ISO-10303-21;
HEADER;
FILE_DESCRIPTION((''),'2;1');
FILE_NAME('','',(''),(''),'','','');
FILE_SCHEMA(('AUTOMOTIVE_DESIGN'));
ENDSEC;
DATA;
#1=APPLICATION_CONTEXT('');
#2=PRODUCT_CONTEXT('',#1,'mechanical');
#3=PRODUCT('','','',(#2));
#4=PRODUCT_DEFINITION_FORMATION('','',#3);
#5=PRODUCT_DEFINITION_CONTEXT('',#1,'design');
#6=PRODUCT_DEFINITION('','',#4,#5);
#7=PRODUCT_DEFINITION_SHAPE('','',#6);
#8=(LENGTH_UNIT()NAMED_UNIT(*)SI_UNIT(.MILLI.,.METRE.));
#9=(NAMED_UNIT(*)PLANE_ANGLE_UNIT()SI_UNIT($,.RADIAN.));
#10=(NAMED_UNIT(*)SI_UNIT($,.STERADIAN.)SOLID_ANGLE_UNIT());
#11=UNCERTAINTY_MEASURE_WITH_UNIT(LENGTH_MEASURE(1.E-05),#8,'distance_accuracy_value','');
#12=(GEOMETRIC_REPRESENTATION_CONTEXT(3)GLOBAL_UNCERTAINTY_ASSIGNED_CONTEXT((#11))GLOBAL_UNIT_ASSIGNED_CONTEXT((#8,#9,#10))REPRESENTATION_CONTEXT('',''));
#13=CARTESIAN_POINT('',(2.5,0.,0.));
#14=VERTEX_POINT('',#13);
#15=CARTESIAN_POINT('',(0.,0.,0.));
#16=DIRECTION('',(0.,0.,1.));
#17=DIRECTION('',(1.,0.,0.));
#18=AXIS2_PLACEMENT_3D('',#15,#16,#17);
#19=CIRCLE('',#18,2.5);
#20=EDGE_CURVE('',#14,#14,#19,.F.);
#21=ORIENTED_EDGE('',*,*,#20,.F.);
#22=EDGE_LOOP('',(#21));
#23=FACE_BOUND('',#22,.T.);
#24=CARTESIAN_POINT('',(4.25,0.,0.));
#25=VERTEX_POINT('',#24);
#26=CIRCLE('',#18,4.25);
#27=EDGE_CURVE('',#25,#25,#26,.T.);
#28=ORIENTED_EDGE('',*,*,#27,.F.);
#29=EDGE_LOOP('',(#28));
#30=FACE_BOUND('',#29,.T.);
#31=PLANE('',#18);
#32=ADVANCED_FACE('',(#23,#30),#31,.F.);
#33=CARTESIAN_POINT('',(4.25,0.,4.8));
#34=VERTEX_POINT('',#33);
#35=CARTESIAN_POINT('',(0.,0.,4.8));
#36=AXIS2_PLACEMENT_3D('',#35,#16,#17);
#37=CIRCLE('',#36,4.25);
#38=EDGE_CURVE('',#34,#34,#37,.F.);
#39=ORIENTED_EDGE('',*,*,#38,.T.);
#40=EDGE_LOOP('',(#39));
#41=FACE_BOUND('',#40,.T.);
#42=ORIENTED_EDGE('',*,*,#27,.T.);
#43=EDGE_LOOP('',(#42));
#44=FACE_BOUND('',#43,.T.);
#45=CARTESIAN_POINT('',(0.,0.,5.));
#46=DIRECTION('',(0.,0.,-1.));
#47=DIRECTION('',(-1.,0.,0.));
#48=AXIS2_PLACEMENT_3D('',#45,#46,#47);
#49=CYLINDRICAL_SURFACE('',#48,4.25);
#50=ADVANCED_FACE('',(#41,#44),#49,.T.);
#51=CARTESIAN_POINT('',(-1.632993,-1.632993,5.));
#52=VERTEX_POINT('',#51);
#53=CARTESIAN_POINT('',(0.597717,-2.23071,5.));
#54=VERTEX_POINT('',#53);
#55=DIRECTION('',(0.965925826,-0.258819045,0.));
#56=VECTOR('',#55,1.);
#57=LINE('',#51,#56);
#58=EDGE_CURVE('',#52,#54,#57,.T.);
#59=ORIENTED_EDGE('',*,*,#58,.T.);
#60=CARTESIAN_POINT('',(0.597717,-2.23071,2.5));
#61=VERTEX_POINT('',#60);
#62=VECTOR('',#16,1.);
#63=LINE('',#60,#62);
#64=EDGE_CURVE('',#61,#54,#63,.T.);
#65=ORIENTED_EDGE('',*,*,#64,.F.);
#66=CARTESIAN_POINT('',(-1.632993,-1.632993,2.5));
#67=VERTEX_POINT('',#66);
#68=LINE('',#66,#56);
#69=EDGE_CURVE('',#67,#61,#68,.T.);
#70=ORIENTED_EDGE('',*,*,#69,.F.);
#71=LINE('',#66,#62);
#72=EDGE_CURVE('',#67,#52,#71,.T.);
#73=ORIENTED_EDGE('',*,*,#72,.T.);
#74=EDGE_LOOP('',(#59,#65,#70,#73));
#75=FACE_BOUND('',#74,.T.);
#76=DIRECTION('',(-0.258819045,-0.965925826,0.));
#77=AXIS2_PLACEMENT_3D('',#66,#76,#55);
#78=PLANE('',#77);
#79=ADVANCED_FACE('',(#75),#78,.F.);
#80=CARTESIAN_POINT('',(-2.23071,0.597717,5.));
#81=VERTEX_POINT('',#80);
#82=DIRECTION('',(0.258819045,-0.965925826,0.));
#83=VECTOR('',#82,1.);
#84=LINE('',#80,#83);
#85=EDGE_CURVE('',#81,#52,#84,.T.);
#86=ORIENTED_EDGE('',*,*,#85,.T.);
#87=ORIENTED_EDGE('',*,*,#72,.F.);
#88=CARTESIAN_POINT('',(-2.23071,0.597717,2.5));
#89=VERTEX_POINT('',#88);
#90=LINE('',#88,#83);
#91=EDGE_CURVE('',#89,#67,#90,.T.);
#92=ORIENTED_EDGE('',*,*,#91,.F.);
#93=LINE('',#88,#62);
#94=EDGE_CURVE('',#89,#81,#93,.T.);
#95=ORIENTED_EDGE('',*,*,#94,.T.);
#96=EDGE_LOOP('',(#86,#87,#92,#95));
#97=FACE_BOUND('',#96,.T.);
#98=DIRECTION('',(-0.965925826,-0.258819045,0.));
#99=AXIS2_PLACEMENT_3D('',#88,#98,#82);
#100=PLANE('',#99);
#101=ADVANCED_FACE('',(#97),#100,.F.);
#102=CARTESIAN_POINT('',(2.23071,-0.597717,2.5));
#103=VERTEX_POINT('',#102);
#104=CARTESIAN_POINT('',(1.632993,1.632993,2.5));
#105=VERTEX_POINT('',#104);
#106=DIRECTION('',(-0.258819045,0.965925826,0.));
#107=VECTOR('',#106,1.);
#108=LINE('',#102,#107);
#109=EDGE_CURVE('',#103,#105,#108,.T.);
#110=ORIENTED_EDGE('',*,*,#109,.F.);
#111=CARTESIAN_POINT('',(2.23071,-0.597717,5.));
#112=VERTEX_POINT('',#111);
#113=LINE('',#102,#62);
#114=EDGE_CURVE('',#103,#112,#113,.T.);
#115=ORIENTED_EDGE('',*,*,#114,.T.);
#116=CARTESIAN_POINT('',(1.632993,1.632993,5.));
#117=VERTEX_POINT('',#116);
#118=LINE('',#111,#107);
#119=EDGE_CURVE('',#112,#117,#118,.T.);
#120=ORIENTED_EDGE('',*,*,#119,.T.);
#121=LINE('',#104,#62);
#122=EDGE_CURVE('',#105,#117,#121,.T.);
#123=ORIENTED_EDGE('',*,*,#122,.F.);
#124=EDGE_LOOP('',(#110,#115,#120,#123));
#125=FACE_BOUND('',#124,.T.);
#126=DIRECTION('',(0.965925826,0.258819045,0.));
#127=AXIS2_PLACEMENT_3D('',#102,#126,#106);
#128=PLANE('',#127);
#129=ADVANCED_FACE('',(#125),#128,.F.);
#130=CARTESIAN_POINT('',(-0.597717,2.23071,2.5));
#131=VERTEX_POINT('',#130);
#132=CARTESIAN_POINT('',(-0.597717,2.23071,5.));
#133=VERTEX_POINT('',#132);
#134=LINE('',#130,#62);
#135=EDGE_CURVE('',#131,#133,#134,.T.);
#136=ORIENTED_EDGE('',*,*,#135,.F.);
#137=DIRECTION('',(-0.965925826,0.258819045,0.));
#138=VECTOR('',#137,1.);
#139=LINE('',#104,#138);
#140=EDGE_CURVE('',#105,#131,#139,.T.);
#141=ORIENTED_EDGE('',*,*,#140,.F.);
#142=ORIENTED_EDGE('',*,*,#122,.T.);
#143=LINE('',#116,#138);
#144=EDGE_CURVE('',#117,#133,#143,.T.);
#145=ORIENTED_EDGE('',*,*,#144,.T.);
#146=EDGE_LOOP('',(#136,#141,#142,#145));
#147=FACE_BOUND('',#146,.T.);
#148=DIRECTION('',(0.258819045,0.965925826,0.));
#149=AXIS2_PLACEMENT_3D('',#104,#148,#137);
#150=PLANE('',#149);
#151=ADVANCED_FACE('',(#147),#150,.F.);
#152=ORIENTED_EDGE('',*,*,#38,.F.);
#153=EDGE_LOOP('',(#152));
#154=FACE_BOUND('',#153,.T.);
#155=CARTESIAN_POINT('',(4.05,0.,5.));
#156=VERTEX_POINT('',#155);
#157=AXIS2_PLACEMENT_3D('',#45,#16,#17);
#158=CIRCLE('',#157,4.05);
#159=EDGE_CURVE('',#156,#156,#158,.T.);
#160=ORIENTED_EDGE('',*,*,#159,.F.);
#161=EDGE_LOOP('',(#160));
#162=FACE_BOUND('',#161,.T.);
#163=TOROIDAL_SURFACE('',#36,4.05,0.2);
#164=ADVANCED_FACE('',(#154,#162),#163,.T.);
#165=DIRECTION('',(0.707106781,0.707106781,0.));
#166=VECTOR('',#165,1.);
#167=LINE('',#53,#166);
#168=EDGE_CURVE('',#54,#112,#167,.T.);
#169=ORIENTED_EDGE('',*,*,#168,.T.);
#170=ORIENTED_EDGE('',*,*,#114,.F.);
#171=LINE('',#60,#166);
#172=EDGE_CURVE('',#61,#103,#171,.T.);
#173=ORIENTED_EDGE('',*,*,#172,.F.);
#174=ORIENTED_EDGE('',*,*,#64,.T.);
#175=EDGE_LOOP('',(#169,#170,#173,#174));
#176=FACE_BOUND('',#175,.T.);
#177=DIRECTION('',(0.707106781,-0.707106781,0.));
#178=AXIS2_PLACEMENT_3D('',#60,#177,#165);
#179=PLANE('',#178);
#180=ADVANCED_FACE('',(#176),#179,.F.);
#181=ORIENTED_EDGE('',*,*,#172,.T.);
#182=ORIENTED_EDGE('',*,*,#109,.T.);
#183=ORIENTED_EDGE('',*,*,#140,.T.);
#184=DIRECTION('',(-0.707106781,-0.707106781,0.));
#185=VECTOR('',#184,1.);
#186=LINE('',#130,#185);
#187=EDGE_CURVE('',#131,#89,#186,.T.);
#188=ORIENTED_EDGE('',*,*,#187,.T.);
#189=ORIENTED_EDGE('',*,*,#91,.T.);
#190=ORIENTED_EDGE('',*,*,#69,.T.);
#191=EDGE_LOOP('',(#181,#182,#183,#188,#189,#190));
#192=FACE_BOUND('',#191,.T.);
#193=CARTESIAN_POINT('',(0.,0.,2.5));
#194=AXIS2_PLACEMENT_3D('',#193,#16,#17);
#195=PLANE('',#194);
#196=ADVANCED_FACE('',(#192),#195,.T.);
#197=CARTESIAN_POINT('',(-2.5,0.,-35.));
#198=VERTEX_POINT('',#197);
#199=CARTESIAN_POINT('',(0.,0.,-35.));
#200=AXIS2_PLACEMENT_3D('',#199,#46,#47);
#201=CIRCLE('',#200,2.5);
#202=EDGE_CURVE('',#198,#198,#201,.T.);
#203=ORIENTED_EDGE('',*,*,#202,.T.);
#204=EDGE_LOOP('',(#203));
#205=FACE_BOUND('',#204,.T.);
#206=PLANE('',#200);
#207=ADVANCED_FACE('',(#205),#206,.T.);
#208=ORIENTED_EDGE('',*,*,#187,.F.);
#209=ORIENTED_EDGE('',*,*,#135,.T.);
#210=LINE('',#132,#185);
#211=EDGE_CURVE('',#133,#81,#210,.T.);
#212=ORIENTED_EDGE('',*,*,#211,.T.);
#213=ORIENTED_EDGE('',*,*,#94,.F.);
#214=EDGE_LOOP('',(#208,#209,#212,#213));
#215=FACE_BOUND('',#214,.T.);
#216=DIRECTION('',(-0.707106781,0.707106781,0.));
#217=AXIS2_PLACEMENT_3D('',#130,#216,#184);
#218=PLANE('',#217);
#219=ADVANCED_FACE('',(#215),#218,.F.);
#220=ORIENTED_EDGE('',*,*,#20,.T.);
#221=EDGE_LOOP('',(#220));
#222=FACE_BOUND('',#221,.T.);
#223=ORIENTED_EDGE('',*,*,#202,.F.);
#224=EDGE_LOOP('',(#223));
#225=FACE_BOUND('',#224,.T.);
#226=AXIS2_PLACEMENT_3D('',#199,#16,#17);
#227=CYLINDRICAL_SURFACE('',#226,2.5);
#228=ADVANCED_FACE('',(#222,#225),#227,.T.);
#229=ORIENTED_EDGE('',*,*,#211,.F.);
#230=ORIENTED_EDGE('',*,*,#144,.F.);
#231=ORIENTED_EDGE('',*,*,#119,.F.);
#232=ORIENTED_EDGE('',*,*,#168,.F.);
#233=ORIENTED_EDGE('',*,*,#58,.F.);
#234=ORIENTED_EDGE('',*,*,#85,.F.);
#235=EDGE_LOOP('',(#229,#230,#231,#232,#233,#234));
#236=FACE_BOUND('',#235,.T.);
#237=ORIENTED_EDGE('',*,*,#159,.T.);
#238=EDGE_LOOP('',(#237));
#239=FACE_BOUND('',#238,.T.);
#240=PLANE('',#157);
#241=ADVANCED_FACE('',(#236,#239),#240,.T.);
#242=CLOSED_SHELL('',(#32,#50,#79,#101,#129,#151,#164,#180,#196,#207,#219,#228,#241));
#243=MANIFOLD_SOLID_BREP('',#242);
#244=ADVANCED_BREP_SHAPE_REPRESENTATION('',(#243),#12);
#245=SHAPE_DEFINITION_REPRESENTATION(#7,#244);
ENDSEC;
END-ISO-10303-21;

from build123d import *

# Parameters (mm, degrees)
SKETCH_1_R          = 4.25
EXTRUDE_1_DEPTH     = 5
CUT_EXTRUDE_1_DEPTH = 2.5
SKETCH_3_R          = 2.5
EXTRUDE_2_DEPTH     = 35
FILLET_1_R          = 0.2


with BuildPart() as part:
    # 草图1 → 凸台-拉伸1 (new body)
    with BuildSketch(Plane.XY):
        Circle(SKETCH_1_R)
    extrude(amount=EXTRUDE_1_DEPTH)

    # 草图2 → 切除-拉伸1 (cut)
    with BuildSketch(Plane.XY.offset(5)):
        Polygon((-1.632993162, -1.632993162), (0.597716981, -2.230710143), (2.230710143, -0.597716981), (1.632993162, 1.632993162), (-0.597716981, 2.230710143), (-2.230710143, 0.597716981), align=None)
    extrude(amount=-CUT_EXTRUDE_1_DEPTH, mode=Mode.SUBTRACT)

    # 草图3 → 凸台-拉伸2 (add)
    with BuildSketch(Plane(origin=(0, 0, 0), x_dir=(-1, 0, 0), z_dir=(0, 0, -1))):
        with Locations(Location((0, 0, 0), (0, 0, 180))):
            Circle(SKETCH_3_R)
    extrude(amount=EXTRUDE_2_DEPTH)

    # 圆角1
    fillet_1_edges = [part.edges().sort_by_distance(p)[0] for p in [
        (-4.25, 0, 5),
    ]]
    fillet(fillet_1_edges, radius=FILLET_1_R)


solid = part.part
